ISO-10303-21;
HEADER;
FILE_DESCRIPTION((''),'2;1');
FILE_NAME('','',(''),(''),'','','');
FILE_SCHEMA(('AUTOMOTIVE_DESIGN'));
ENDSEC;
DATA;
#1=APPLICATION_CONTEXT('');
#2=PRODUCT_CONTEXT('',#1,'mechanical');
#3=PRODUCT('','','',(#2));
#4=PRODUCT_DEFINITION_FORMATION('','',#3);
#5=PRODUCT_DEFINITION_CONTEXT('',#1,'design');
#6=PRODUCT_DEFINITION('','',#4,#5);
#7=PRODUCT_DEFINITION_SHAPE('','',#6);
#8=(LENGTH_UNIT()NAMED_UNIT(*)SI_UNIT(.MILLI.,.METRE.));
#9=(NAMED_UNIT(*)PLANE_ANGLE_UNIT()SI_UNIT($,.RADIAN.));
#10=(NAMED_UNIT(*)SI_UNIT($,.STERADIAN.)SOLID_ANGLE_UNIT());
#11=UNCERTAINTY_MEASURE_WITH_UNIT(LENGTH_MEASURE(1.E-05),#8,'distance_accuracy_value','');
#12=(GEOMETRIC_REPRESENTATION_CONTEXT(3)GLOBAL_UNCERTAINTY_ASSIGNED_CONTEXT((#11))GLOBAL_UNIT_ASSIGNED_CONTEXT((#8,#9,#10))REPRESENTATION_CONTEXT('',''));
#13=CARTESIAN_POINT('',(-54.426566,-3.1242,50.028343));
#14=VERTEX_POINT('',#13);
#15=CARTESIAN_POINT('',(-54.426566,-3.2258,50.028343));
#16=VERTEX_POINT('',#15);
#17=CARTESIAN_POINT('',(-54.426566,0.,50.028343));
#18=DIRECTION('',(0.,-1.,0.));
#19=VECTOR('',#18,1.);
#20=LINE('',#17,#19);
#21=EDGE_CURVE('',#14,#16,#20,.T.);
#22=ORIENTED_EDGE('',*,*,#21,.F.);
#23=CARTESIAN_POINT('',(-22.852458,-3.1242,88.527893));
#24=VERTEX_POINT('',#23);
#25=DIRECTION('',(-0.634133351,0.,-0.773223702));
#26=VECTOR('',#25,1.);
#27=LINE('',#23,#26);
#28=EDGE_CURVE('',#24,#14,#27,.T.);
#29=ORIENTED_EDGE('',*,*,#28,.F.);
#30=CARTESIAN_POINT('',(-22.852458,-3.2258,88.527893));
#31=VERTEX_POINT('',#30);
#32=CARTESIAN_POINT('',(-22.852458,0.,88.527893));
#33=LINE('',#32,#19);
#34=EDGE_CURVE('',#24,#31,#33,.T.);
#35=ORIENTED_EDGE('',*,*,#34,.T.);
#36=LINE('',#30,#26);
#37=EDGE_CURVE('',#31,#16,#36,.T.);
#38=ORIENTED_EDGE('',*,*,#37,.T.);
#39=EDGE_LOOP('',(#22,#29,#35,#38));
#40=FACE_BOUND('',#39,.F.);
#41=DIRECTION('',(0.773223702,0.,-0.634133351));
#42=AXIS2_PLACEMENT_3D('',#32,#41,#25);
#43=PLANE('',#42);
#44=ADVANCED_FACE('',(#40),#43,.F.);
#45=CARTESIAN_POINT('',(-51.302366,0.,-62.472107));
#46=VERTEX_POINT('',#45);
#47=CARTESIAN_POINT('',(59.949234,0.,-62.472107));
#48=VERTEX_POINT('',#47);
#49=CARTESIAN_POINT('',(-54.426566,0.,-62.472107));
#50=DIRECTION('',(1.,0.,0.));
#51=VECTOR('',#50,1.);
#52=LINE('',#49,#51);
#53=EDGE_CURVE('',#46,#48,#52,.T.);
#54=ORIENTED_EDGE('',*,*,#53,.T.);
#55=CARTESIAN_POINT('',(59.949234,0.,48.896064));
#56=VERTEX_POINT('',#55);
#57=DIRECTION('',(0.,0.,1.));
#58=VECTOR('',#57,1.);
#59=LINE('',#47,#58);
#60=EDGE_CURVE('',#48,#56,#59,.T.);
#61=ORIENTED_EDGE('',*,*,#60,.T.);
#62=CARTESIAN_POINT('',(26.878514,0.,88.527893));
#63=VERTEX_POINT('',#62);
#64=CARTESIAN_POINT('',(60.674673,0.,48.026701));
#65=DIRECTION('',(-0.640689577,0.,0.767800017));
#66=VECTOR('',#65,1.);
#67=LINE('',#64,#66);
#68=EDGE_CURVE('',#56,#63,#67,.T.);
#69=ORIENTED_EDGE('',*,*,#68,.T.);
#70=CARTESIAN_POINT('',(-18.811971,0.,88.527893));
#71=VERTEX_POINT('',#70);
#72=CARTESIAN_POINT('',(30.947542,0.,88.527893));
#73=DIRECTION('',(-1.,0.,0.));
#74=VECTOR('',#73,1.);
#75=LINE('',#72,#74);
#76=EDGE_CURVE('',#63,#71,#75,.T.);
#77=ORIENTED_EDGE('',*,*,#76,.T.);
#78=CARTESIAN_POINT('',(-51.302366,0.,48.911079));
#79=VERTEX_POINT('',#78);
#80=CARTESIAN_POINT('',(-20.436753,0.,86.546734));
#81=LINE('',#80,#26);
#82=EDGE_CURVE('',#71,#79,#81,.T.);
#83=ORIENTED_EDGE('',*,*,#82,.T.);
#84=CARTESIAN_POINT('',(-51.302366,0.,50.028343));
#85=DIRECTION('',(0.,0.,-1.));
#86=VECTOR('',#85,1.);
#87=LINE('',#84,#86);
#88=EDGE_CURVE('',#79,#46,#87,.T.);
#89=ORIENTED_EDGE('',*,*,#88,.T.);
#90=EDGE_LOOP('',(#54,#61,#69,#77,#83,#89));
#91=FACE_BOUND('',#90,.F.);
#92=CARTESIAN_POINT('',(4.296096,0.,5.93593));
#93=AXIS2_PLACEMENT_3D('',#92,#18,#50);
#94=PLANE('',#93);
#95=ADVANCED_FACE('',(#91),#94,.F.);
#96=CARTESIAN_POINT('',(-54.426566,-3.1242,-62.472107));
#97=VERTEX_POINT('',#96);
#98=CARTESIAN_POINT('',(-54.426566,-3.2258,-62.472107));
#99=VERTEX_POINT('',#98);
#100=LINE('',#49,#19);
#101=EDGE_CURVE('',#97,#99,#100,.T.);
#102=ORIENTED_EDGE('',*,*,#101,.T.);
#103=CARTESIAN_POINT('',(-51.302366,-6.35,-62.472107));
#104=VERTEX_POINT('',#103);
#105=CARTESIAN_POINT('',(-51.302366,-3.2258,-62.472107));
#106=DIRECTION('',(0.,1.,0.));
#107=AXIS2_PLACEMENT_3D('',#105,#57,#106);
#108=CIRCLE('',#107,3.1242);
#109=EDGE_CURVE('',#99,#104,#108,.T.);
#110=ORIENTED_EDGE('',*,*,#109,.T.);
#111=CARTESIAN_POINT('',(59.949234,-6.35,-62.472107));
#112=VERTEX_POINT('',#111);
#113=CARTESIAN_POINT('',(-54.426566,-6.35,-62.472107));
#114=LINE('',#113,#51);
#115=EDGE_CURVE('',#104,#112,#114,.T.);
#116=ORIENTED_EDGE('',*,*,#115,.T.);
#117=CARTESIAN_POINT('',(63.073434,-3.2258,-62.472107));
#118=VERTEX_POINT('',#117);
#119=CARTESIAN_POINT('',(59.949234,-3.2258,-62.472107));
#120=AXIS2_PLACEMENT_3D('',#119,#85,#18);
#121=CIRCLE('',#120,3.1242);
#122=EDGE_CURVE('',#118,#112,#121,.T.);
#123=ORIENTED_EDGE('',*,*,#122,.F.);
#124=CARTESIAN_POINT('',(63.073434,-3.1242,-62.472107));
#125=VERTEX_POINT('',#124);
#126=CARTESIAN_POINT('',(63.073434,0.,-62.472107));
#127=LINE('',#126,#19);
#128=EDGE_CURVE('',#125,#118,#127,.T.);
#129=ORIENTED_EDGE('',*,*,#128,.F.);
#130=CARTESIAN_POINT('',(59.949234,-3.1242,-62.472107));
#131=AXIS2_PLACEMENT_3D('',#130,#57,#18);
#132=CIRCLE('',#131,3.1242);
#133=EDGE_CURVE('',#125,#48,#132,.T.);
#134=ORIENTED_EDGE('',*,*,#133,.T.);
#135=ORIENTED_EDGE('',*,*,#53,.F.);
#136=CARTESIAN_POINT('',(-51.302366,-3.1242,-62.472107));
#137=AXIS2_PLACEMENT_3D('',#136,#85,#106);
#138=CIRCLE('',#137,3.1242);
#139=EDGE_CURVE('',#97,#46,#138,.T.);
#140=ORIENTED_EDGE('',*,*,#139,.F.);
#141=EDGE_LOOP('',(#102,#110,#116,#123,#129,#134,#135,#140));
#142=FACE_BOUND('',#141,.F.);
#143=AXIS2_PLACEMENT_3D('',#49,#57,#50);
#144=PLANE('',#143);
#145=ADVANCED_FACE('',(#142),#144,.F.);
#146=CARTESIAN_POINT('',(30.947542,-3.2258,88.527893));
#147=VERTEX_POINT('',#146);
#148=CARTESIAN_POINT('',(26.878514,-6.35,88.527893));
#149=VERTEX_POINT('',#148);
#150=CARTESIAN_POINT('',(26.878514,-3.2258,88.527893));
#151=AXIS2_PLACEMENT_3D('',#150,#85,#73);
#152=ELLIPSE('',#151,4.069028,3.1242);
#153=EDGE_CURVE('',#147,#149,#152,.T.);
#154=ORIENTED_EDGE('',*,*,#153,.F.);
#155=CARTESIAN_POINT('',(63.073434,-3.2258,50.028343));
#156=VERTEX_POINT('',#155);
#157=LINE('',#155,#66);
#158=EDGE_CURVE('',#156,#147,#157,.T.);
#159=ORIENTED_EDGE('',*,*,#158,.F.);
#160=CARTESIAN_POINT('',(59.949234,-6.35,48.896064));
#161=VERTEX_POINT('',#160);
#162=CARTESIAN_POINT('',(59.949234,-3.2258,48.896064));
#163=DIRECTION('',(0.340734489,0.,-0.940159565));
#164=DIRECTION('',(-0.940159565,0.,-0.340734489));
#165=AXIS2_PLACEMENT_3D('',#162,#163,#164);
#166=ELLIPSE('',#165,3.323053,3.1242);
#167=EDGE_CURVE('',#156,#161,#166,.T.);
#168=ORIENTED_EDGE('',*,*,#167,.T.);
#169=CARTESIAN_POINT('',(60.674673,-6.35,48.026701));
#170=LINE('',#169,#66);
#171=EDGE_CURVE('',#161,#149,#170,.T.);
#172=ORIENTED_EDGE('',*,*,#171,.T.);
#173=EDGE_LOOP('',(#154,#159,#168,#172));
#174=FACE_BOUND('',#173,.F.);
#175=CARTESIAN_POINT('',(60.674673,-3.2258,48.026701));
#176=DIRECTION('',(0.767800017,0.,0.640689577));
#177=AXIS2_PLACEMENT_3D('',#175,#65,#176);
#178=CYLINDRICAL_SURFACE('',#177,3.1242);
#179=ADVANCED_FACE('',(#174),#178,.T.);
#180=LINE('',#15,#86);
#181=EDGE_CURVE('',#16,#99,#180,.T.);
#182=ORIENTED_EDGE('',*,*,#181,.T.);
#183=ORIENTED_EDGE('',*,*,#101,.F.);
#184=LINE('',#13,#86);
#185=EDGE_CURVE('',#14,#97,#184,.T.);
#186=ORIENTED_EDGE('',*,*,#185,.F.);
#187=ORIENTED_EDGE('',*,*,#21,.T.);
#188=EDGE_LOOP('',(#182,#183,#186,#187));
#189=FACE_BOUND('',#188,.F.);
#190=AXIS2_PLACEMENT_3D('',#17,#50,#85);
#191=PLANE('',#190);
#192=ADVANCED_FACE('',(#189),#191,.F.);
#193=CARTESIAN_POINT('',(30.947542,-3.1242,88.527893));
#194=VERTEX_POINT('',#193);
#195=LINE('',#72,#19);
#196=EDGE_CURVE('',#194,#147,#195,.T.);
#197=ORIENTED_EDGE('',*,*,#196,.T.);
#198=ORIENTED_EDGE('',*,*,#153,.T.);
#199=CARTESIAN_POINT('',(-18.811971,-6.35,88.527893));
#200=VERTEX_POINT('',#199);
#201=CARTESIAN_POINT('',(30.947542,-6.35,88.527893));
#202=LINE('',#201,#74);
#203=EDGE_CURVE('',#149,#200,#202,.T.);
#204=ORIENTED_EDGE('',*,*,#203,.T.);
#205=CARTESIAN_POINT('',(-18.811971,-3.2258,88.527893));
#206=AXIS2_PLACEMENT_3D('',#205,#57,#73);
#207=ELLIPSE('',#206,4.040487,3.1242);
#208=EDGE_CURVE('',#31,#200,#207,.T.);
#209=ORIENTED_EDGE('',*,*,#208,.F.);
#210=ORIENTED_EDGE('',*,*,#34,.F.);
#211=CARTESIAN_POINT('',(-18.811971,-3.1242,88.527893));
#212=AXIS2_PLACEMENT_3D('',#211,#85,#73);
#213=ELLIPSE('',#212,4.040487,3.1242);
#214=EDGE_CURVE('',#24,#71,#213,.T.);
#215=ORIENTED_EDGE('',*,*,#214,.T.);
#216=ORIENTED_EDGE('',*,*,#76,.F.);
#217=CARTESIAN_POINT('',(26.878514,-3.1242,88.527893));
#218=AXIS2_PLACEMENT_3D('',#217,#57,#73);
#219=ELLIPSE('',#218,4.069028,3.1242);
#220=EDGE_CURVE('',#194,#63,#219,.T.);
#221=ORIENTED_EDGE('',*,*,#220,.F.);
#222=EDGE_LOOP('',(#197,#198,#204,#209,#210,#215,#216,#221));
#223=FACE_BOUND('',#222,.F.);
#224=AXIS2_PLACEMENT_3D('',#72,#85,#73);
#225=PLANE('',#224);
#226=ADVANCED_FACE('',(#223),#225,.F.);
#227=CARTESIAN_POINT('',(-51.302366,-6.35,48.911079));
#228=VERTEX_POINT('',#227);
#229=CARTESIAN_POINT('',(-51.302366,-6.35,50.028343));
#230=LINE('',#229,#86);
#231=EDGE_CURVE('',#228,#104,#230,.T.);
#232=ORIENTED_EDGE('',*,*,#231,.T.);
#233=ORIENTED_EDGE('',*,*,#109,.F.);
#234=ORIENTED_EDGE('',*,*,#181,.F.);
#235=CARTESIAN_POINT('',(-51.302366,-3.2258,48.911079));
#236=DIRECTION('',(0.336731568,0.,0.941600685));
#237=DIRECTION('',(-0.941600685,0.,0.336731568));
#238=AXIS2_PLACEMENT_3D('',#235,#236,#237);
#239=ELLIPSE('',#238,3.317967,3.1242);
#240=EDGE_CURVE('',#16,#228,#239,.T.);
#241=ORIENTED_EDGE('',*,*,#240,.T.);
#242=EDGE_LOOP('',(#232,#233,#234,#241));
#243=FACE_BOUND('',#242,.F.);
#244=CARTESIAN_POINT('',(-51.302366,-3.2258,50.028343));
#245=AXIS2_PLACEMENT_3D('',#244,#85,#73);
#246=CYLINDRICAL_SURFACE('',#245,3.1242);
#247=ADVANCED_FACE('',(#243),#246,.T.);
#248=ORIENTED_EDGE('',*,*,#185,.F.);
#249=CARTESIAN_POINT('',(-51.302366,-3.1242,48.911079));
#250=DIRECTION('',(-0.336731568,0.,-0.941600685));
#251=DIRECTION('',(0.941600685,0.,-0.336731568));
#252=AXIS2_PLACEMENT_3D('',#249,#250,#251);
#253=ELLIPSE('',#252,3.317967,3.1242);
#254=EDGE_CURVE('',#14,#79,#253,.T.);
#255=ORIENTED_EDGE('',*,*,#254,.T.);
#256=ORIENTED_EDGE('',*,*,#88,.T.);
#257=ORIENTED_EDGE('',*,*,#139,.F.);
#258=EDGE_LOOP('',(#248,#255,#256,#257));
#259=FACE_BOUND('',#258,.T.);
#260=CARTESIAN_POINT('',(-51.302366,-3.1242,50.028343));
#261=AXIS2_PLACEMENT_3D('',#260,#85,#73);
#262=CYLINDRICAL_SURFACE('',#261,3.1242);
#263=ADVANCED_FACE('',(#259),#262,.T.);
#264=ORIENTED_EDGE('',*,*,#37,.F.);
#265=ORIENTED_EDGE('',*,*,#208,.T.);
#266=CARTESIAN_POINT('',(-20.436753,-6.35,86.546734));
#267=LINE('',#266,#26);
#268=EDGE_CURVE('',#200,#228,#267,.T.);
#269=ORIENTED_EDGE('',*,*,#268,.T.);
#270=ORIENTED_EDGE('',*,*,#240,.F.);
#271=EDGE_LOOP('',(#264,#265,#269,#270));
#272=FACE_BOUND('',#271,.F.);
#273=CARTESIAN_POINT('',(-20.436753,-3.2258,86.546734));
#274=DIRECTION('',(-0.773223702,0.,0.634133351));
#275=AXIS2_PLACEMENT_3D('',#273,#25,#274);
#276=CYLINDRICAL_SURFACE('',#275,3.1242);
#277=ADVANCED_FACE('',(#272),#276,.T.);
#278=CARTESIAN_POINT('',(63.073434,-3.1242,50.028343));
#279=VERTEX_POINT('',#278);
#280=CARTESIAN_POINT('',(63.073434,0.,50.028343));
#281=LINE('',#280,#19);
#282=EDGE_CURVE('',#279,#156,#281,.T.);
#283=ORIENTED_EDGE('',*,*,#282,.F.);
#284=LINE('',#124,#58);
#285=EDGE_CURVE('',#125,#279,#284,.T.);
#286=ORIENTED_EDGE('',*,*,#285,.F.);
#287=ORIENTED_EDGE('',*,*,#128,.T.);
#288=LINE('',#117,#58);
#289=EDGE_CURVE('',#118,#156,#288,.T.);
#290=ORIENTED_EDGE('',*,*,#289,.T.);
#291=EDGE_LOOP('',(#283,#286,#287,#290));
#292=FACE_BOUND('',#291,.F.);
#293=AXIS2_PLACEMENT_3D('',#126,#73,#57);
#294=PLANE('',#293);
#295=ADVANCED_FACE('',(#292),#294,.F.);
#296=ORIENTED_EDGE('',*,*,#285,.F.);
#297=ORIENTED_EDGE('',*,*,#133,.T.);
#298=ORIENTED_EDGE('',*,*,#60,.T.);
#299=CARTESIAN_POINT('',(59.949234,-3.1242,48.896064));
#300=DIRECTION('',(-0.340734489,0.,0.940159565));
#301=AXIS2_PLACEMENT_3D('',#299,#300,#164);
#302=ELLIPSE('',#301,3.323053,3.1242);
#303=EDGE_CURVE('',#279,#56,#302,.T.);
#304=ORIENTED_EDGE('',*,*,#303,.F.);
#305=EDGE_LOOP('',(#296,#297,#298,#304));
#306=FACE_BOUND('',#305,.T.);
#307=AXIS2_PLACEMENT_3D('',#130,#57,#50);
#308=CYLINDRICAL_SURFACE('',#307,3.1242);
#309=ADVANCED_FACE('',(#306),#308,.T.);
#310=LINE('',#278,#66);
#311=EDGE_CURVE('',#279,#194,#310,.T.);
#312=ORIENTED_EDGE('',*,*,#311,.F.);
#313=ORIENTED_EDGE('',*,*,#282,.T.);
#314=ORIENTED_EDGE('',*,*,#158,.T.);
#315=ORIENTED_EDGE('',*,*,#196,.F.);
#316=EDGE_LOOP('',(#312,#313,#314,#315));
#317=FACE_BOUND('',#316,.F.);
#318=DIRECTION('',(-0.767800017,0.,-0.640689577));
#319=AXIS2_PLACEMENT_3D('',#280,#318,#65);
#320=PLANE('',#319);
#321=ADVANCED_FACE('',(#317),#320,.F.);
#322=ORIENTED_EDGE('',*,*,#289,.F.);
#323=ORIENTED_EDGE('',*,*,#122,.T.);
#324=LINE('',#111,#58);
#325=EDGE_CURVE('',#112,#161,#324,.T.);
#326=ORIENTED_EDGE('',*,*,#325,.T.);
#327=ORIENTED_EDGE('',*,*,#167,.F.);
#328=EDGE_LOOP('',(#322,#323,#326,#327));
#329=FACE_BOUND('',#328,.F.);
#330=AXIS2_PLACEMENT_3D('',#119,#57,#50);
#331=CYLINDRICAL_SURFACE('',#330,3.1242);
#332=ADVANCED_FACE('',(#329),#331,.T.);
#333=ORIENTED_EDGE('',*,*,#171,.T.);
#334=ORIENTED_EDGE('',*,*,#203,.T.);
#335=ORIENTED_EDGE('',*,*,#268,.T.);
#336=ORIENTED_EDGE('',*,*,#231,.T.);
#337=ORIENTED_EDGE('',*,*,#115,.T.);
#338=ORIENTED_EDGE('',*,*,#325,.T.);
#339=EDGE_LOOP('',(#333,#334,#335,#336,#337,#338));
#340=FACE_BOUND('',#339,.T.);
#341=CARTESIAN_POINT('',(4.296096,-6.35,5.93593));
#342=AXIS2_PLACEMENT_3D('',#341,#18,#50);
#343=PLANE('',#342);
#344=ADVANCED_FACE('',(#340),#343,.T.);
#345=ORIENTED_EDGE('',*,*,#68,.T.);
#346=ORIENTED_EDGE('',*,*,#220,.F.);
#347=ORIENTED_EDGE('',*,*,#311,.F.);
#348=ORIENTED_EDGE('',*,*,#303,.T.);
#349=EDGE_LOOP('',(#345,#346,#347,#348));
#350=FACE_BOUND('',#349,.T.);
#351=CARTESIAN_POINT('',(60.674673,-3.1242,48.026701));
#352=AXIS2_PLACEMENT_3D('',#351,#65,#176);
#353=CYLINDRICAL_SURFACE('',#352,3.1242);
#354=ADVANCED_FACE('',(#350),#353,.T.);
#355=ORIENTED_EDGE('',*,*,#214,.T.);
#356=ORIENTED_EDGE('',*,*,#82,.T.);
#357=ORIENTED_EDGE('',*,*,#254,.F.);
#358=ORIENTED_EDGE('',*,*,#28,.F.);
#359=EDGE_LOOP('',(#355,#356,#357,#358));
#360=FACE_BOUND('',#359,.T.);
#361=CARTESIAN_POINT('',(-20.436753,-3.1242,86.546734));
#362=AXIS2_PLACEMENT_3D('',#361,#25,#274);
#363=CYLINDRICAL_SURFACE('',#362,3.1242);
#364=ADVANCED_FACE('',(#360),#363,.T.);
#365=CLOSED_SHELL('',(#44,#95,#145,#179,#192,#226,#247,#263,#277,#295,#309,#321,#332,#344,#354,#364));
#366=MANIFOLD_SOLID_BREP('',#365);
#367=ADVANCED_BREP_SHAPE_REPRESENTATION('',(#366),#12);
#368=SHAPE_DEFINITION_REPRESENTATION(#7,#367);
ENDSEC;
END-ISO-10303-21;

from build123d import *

# Parameters (mm, degrees)
F1_DEPTH = 6.35
F2_R     = 3.1242


with BuildPart() as f1:
    # F0 (on Front) → F1 (new body)
    with BuildSketch(Plane.XZ):
        Polygon((30.947542, 88.527893), (-22.852458, 88.527893), (-54.426566, 50.028343), (-54.426566, -62.472107), (63.073434, -62.472107), (63.073434, 50.028343), align=None)
    extrude(amount=F1_DEPTH)

    # F2
    f2_edges = [f1.edges().sort_by_distance(p)[0] for p in [
        (-54.426566, 0, -6.221882),
        (-38.639512, 0, 69.278118),
        (47.010488, 0, 69.278118),
        (63.073434, 0, -6.221882),
        (47.010488, -6.35, 69.278118),
        (-38.639512, -6.35, 69.278118),
        (-54.426566, -6.35, -6.221882),
        (63.073434, -6.35, -6.221882),
    ]]
    fillet(f2_edges, radius=F2_R)


solid = f1.part
